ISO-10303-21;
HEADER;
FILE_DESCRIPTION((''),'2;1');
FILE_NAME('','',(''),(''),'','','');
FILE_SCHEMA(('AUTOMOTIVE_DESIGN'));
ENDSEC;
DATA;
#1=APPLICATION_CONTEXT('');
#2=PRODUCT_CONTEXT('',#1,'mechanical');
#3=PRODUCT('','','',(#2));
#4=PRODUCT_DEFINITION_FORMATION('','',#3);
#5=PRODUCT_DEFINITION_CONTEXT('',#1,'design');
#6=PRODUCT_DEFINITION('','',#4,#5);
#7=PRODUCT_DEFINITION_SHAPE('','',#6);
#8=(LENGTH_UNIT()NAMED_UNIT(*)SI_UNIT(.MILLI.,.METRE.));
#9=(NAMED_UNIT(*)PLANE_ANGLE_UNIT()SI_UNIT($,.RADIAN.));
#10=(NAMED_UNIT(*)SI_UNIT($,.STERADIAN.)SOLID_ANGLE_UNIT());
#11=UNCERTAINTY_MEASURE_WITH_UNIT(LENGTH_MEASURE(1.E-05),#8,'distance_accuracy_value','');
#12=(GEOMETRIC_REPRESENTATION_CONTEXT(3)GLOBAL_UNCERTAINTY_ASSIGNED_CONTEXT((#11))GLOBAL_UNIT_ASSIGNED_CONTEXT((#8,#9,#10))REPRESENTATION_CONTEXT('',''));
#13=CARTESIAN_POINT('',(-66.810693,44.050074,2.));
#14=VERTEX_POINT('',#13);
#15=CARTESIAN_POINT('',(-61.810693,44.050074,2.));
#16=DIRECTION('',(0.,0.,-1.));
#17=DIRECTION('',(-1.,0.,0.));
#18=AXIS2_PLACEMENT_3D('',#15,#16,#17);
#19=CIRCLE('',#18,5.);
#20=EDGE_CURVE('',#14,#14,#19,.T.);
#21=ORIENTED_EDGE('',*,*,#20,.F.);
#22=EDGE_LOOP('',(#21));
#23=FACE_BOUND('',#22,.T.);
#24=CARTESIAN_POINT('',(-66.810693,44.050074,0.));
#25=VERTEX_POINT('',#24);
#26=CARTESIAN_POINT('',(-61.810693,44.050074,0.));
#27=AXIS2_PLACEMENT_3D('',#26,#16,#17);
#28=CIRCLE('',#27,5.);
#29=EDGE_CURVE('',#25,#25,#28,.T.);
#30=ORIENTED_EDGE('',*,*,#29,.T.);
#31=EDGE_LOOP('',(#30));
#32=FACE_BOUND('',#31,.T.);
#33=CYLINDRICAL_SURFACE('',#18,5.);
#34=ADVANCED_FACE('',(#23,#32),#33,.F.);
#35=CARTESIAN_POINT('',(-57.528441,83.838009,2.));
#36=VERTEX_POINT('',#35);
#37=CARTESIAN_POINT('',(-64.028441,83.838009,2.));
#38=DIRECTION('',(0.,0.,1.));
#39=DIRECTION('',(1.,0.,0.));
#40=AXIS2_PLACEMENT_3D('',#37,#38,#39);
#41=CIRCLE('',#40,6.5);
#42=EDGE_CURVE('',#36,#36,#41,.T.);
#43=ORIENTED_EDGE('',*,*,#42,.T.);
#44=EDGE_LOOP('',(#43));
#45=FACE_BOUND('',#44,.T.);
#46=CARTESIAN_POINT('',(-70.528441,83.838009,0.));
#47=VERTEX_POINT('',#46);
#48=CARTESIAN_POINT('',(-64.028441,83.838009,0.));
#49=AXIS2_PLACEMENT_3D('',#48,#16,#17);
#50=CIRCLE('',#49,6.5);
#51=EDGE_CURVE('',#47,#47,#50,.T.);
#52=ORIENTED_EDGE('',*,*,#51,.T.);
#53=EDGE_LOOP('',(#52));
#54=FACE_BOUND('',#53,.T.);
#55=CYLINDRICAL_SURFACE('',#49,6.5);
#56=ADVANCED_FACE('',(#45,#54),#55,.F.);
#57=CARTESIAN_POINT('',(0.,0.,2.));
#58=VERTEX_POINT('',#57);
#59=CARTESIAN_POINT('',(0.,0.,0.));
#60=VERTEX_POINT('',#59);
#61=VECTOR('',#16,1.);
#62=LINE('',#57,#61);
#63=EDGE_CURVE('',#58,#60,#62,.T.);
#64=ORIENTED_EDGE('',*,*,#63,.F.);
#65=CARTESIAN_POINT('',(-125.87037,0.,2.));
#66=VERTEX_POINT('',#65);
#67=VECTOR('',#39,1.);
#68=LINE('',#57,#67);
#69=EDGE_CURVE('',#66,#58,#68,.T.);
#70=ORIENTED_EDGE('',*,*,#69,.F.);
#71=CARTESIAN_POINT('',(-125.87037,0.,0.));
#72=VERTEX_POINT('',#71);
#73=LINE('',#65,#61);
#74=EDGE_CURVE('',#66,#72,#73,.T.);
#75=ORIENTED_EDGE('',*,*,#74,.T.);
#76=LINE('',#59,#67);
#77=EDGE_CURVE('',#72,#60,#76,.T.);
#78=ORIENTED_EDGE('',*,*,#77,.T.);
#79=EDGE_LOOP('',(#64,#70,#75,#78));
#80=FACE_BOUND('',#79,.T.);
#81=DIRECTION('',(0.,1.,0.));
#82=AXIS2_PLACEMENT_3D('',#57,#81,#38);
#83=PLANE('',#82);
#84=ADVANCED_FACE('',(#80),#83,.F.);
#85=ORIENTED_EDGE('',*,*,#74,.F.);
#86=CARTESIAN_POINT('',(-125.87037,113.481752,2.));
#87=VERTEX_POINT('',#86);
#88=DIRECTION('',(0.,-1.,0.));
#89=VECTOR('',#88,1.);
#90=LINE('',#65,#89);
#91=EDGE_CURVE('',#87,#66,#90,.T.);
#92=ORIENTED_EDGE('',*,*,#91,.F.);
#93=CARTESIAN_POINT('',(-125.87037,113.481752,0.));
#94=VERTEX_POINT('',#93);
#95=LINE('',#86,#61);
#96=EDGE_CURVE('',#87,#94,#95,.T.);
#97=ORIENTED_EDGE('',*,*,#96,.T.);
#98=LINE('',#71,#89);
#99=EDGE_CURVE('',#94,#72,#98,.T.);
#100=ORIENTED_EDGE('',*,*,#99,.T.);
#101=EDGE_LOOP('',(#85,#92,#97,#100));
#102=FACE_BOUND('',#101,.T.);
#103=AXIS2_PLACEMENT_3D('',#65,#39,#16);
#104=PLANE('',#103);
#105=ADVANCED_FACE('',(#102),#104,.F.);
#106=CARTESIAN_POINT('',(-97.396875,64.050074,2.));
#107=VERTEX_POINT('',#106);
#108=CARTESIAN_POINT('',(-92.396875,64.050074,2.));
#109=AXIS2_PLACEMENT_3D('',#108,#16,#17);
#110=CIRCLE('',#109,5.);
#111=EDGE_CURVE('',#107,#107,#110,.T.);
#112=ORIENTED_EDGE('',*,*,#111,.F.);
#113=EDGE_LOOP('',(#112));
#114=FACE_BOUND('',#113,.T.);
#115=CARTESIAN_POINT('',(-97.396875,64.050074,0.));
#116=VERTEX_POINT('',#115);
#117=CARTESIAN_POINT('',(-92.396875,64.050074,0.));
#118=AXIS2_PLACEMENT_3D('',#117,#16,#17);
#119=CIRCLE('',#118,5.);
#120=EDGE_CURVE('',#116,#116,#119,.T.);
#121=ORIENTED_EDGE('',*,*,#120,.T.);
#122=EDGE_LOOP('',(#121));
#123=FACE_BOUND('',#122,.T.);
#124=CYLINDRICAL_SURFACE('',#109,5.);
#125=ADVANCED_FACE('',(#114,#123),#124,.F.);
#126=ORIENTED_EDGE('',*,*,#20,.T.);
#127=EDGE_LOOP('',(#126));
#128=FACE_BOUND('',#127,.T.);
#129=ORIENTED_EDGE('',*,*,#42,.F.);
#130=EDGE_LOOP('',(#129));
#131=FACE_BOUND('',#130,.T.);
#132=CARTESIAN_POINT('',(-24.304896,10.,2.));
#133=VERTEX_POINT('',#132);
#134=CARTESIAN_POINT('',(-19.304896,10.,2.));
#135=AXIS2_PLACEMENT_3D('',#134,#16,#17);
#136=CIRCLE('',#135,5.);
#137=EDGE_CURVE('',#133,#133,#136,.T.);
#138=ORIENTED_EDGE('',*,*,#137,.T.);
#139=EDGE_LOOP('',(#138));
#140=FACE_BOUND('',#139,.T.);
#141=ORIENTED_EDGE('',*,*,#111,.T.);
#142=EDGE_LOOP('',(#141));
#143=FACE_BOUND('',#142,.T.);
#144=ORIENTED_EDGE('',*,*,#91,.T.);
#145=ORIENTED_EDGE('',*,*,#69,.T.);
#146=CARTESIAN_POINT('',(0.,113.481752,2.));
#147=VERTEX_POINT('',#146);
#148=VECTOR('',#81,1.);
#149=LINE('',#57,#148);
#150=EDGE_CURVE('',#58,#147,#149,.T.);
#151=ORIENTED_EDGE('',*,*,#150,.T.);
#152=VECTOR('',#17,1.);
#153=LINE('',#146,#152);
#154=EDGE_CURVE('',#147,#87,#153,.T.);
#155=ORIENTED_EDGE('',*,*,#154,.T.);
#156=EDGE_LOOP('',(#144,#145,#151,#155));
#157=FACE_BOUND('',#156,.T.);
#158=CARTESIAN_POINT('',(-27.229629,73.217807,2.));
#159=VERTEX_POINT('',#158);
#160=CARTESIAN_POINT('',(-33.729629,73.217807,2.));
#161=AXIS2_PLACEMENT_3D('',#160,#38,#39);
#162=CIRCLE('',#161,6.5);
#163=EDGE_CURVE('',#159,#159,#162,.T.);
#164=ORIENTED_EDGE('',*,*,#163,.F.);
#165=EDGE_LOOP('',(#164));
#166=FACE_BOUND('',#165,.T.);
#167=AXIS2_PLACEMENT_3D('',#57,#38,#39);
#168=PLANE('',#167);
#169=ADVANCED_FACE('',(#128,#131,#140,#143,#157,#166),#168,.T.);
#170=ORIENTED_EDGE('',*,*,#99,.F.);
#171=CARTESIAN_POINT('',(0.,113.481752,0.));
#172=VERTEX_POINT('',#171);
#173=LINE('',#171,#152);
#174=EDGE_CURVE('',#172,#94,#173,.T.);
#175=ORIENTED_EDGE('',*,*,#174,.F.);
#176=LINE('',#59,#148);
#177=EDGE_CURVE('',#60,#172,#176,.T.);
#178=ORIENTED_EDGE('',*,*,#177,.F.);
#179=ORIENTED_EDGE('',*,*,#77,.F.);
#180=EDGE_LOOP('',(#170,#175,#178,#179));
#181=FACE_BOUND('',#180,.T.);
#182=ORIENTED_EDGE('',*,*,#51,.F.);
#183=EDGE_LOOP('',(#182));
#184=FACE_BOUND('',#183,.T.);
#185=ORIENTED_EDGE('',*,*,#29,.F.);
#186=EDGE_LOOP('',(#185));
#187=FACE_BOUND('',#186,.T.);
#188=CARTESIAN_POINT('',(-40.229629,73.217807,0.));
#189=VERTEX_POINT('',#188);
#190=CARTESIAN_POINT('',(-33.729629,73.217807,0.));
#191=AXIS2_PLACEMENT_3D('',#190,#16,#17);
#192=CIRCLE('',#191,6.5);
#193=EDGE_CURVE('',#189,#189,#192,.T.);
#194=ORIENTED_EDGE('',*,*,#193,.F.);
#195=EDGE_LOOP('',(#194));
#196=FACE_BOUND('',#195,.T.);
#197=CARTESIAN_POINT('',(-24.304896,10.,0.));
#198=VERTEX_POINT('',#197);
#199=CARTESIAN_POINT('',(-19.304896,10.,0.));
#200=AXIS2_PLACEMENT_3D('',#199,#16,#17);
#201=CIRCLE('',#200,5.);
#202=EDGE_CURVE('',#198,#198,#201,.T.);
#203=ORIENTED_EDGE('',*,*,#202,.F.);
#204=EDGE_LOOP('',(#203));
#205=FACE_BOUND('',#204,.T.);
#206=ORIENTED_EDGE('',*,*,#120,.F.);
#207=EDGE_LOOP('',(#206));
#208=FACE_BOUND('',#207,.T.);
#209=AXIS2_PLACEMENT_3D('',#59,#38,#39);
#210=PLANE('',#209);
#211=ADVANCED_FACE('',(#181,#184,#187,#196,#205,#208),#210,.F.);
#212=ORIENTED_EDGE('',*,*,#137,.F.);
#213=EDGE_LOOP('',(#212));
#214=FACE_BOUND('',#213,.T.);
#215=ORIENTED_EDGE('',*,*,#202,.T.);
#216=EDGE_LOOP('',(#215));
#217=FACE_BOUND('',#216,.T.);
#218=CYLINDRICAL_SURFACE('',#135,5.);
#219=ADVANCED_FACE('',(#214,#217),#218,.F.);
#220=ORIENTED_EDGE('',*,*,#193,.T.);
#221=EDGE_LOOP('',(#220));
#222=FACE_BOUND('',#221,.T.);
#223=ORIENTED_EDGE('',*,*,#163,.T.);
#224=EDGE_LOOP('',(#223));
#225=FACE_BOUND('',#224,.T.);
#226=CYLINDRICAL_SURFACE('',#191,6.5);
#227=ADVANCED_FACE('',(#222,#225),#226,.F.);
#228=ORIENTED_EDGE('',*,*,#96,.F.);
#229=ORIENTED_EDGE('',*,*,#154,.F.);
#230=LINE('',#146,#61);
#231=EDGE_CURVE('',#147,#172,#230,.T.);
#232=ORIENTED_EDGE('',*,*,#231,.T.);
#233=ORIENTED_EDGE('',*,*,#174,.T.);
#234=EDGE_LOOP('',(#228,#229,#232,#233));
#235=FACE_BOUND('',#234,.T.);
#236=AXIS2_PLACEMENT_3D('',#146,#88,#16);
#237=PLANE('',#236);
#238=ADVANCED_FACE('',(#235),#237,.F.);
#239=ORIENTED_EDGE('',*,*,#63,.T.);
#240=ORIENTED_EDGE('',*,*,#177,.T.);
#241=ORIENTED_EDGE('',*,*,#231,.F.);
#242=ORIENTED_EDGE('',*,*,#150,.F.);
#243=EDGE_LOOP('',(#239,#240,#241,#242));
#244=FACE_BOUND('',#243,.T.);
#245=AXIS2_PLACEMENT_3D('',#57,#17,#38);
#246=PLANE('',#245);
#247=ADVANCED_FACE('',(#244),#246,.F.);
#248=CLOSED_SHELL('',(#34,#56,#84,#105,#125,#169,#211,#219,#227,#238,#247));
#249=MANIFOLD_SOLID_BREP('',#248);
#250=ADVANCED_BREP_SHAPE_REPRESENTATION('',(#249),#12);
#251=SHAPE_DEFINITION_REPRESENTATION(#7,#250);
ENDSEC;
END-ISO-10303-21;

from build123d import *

# Parameters (mm, degrees)
SKETCH1_W                               = 125.870370198
SKETCH1_H                               = 113.481751874
BOSS_EXTRUDE1_DEPTH                     = 2
CBORE_FOR_M5_HEX_HEAD_BOLT1_D           = 5.5
CBORE_FOR_M5_HEX_HEAD_BOLT1_CBORE_D     = 13
CBORE_FOR_M5_HEX_HEAD_BOLT1_CBORE_DEPTH = 3.5
SKETCH4_R                               = 5
CUT_EXTRUDE1_DEPTH                      = 2


with BuildPart() as part:
    # Sketch1 → Boss-Extrude1 (new body)
    with BuildSketch(Plane.XY):
        with Locations((-62.935185099, 56.740875937)):
            Rectangle(SKETCH1_W, SKETCH1_H)
    extrude(amount=BOSS_EXTRUDE1_DEPTH)

    # CBORE for M5 Hex Head Bolt1 (through all)
    with Locations(Plane(origin=(0, 0, 0), x_dir=(-1, 0, 0), z_dir=(0, 0, -1))):
        with Locations((33.729629401, 73.217807093), (64.028441194, 83.838009165)):
            CounterBoreHole(CBORE_FOR_M5_HEX_HEAD_BOLT1_D / 2, CBORE_FOR_M5_HEX_HEAD_BOLT1_CBORE_D / 2, CBORE_FOR_M5_HEX_HEAD_BOLT1_CBORE_DEPTH)

    # Sketch4 → Cut-Extrude1 (cut)
    with BuildSketch(Plane(origin=(0, 0, 0), x_dir=(-1, 0, 0), z_dir=(0, 0, -1))):
        with Locations((19.304896116, 10)):
            Circle(SKETCH4_R)
        with Locations((61.810693115, 44.050073834)):
            Circle(SKETCH4_R)
        with Locations((92.396875082, 64.050073834)):
            Circle(SKETCH4_R)
    extrude(amount=-CUT_EXTRUDE1_DEPTH, mode=Mode.SUBTRACT)


solid = part.part
